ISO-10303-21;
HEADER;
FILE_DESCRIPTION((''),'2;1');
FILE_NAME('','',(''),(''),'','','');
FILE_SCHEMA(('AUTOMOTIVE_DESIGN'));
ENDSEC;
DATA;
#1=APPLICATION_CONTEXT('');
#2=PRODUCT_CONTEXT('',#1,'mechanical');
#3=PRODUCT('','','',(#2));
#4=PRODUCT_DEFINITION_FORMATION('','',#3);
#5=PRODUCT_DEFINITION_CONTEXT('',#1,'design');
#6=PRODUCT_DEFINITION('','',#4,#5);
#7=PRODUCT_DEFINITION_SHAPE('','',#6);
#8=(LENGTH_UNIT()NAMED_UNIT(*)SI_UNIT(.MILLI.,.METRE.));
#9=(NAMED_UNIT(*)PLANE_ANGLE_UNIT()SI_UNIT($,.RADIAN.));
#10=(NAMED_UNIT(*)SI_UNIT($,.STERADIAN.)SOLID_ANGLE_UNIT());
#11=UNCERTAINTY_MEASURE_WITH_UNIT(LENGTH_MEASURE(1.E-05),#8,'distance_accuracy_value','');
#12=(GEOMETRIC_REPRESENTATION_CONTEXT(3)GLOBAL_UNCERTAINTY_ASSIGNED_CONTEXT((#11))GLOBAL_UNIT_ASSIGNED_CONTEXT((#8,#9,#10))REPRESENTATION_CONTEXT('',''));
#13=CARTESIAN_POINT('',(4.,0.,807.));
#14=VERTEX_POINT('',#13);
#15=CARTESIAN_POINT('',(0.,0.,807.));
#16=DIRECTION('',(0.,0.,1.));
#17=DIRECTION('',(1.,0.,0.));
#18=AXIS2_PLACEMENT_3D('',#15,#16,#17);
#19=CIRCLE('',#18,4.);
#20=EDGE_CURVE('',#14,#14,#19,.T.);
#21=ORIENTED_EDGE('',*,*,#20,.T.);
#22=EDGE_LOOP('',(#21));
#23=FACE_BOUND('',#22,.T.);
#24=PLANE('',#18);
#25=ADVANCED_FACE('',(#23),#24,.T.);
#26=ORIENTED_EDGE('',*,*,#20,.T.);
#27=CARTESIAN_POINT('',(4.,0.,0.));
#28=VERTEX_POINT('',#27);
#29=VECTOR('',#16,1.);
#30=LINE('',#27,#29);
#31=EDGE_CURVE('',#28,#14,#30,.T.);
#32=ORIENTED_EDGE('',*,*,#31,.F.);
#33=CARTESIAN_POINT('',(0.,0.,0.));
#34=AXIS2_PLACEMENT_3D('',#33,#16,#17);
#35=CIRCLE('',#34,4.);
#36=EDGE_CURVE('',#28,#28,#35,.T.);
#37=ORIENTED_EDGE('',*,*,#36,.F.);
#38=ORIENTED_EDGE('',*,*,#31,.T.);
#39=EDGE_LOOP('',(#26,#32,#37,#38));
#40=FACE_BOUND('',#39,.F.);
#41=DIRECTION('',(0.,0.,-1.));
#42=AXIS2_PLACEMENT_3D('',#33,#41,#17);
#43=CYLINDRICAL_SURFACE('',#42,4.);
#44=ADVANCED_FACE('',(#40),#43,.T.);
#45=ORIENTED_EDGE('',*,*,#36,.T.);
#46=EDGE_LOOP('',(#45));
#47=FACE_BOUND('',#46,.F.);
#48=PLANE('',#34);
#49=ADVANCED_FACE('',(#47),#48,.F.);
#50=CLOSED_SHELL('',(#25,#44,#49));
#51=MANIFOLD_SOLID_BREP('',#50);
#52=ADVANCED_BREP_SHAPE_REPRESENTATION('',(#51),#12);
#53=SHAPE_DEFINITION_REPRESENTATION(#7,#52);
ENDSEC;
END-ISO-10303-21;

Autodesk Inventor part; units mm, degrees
ref_plane "YZ Plane" through (0, 0, 0) normal (1, 0, 0) x (0, 1, 0)
ref_plane "XZ Plane" through (0, 0, 0) normal (0, 1, 0) x (-1, 0, 0)
ref_plane "XY Plane" through (0, 0, 0) normal (0, 0, 1) x (1, 0, 0)
sketch "Skizze1" plane through (0, 0, 0) normal (0, 0, 1) x (1, 0, 0)
  circle A0 centre (0, 0) radius 4
  dimension "d0" = 8
extrude "Extrusion1" add sketch "Skizze1" along normal blind 807
thread "Gewinde1" size "TR8x8-2p" designation "TR8x8-2" standard "ISO Metric Trapezoidal Threads" full length
properties part number "Lead Screw - TR8x8-2p 807mm Simple"
